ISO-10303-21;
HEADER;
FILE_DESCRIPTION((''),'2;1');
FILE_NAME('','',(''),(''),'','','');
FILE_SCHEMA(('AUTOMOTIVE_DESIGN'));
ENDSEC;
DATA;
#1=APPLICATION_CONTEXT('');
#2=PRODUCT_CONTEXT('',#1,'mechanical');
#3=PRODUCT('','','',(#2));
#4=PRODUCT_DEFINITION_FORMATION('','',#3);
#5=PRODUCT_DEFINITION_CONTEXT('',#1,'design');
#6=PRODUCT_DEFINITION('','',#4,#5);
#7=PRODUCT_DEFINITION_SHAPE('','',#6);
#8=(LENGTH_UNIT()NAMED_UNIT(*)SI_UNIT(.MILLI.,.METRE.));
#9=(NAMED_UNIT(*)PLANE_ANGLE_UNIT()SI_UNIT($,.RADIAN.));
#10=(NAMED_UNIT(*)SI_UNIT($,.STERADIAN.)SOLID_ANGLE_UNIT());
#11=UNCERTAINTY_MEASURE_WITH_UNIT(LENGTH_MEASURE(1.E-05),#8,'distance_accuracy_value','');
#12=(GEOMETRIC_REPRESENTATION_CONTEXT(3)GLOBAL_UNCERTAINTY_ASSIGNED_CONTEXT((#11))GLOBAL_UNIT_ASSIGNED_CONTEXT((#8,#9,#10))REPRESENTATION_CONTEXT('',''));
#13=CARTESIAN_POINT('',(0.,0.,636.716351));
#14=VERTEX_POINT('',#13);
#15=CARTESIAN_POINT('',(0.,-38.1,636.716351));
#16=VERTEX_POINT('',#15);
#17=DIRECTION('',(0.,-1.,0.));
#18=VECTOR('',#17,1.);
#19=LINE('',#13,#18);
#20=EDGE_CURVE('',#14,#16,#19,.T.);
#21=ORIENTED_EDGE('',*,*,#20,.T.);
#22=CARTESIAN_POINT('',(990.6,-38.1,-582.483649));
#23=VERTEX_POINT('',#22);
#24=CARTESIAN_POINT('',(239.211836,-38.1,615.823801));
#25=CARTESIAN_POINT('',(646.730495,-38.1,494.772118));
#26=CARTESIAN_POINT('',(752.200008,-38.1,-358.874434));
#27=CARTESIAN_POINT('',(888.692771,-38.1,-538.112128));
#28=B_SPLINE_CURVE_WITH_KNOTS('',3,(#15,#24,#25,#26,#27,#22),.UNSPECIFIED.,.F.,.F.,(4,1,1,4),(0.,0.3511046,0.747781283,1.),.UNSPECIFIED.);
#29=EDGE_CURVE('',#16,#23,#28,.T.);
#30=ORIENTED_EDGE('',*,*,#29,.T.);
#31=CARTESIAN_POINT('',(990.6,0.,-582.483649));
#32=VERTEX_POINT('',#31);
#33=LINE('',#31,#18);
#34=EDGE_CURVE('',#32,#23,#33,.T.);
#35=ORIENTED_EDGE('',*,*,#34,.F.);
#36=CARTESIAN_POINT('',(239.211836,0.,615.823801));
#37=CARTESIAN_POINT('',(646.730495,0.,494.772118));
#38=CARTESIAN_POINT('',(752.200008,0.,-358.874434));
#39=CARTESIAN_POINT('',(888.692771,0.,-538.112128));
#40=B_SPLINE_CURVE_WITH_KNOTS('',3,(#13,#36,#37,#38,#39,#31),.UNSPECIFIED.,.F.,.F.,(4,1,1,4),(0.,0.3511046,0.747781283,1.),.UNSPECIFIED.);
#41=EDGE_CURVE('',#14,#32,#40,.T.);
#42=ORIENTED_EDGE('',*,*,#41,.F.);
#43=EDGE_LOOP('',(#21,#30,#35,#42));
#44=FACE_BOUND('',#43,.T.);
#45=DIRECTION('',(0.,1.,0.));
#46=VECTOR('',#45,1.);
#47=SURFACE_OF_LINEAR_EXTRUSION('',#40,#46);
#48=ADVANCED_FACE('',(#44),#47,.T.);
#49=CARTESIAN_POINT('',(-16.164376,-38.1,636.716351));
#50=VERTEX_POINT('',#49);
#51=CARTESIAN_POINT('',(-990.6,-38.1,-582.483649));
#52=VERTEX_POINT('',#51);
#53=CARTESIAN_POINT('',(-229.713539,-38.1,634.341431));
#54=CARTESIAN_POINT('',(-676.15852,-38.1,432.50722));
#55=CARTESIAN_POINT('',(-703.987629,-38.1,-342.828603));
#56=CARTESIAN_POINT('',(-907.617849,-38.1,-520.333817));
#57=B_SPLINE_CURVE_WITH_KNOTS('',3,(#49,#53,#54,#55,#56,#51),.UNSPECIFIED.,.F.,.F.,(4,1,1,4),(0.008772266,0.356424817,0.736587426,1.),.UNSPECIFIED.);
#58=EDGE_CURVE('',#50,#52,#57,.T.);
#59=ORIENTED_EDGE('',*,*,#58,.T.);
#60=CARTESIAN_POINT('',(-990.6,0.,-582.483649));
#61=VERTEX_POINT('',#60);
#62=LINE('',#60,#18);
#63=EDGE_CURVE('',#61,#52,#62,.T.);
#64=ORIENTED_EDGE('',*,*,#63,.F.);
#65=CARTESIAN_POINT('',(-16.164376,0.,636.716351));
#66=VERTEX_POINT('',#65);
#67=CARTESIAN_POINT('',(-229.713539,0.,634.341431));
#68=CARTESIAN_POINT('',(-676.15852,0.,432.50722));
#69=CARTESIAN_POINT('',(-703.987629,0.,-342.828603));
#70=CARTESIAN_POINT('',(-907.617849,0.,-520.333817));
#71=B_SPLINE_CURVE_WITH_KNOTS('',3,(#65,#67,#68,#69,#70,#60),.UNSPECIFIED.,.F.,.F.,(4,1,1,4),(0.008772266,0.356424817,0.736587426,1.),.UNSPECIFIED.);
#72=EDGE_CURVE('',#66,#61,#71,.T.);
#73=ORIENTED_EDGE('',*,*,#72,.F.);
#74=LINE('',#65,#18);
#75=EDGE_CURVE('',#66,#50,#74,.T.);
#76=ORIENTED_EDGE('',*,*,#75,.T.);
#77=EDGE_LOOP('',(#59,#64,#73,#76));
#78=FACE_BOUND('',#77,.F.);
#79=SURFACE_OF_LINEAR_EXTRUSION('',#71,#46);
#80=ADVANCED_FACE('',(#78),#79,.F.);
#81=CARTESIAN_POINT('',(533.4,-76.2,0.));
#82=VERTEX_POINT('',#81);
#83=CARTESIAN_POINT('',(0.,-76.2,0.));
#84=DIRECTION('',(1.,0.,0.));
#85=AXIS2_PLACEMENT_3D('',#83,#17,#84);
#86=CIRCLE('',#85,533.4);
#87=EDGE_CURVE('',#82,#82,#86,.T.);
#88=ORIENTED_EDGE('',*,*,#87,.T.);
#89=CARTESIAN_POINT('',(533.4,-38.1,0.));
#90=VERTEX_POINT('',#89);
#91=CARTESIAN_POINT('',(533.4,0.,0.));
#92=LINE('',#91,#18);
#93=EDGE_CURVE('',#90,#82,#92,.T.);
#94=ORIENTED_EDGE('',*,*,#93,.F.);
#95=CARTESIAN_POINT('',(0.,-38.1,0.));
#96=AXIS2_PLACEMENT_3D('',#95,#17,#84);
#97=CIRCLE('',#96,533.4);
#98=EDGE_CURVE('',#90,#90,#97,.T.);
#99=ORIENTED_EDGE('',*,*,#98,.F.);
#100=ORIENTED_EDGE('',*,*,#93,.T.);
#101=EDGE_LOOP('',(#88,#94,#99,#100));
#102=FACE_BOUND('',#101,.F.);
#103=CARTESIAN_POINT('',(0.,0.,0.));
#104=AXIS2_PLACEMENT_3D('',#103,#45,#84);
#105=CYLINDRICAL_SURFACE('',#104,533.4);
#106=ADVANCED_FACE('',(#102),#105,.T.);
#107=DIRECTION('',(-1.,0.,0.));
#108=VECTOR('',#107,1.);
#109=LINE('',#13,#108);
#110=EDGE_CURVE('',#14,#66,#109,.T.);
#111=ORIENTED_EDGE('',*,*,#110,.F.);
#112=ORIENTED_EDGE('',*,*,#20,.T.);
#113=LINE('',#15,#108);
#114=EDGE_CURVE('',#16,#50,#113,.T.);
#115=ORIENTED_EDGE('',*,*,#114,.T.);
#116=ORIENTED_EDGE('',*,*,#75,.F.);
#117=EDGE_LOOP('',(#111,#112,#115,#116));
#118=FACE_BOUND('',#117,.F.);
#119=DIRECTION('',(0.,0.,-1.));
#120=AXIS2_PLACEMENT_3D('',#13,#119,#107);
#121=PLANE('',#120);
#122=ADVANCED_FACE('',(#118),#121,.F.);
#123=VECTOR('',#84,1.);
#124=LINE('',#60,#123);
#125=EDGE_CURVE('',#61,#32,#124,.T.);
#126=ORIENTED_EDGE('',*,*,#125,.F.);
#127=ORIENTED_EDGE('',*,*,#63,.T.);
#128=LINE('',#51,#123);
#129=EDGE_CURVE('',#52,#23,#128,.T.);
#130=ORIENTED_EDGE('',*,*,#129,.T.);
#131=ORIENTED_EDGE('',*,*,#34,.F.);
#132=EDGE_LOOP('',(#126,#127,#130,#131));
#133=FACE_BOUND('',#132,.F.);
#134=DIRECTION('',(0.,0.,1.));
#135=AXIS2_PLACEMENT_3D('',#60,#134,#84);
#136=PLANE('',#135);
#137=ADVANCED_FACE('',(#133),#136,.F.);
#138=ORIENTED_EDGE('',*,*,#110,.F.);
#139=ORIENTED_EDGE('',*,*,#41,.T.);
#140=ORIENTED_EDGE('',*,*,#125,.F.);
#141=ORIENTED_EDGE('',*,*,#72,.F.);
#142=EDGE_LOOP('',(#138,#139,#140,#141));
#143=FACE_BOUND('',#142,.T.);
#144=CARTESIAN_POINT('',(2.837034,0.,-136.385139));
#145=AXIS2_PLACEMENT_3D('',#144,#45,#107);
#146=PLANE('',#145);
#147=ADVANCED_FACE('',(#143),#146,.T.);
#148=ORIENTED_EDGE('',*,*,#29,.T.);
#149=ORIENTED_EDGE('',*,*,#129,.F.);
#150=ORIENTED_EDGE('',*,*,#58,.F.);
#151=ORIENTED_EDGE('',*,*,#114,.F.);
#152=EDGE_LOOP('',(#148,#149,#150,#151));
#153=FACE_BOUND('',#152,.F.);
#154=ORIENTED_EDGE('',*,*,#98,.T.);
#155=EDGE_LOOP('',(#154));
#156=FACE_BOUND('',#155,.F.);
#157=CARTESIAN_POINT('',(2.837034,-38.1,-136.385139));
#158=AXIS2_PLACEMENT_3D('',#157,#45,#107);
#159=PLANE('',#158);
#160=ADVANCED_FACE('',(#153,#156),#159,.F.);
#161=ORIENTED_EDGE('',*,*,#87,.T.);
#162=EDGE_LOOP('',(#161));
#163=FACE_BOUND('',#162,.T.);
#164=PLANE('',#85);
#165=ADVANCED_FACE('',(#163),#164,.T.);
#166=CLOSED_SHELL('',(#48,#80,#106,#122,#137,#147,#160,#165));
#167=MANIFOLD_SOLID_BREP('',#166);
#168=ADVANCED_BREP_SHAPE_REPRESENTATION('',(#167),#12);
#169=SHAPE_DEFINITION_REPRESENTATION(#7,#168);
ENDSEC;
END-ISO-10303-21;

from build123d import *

# Parameters (mm, degrees)
F0_R     = 533.4
F1_DEPTH = 76.2
F2_DEPTH = 38.1


with BuildPart() as f1:
    # F0 (on Front) → F1 (new body)
    with BuildSketch(Plane.XZ):
        Circle(F0_R)
    extrude(amount=F1_DEPTH)

    # F0 (on Front) → F2 (join)
    with BuildSketch(Plane.XZ):
        with BuildLine():
            add(Edge.make_bspline(
                [(0, 636.7163507462), (239.2118357706, 615.8238007368), (646.7304954871, 494.7721182449), (752.2000078985, -358.8744339162), (888.6927709826, -538.11212785), (990.6, -582.4836492538)],
                knots=[0, 0, 0, 0, 0.3511045998, 0.7477812832, 1, 1, 1, 1], degree=3))
            Line((0, 636.7163507462), (-16.1643760611, 636.7163507462))
            add(Edge.make_bspline(
                [(-16.1643760611, 636.7163507462), (-229.7135389785, 634.3414307642), (-676.1585202117, 432.5072199226), (-703.987628904, -342.8286029025), (-907.6178488485, -520.3338171156), (-990.6, -582.4836492538)],
                knots=[0.008772266, 0.008772266, 0.008772266, 0.008772266, 0.3564248173, 0.7365874264, 1, 1, 1, 1], degree=3))
            Line((-990.6, -582.4836492538), (990.6, -582.4836492538))
        make_face()
        Circle(F0_R, mode=Mode.SUBTRACT)
    extrude(amount=F2_DEPTH)


solid = f1.part
